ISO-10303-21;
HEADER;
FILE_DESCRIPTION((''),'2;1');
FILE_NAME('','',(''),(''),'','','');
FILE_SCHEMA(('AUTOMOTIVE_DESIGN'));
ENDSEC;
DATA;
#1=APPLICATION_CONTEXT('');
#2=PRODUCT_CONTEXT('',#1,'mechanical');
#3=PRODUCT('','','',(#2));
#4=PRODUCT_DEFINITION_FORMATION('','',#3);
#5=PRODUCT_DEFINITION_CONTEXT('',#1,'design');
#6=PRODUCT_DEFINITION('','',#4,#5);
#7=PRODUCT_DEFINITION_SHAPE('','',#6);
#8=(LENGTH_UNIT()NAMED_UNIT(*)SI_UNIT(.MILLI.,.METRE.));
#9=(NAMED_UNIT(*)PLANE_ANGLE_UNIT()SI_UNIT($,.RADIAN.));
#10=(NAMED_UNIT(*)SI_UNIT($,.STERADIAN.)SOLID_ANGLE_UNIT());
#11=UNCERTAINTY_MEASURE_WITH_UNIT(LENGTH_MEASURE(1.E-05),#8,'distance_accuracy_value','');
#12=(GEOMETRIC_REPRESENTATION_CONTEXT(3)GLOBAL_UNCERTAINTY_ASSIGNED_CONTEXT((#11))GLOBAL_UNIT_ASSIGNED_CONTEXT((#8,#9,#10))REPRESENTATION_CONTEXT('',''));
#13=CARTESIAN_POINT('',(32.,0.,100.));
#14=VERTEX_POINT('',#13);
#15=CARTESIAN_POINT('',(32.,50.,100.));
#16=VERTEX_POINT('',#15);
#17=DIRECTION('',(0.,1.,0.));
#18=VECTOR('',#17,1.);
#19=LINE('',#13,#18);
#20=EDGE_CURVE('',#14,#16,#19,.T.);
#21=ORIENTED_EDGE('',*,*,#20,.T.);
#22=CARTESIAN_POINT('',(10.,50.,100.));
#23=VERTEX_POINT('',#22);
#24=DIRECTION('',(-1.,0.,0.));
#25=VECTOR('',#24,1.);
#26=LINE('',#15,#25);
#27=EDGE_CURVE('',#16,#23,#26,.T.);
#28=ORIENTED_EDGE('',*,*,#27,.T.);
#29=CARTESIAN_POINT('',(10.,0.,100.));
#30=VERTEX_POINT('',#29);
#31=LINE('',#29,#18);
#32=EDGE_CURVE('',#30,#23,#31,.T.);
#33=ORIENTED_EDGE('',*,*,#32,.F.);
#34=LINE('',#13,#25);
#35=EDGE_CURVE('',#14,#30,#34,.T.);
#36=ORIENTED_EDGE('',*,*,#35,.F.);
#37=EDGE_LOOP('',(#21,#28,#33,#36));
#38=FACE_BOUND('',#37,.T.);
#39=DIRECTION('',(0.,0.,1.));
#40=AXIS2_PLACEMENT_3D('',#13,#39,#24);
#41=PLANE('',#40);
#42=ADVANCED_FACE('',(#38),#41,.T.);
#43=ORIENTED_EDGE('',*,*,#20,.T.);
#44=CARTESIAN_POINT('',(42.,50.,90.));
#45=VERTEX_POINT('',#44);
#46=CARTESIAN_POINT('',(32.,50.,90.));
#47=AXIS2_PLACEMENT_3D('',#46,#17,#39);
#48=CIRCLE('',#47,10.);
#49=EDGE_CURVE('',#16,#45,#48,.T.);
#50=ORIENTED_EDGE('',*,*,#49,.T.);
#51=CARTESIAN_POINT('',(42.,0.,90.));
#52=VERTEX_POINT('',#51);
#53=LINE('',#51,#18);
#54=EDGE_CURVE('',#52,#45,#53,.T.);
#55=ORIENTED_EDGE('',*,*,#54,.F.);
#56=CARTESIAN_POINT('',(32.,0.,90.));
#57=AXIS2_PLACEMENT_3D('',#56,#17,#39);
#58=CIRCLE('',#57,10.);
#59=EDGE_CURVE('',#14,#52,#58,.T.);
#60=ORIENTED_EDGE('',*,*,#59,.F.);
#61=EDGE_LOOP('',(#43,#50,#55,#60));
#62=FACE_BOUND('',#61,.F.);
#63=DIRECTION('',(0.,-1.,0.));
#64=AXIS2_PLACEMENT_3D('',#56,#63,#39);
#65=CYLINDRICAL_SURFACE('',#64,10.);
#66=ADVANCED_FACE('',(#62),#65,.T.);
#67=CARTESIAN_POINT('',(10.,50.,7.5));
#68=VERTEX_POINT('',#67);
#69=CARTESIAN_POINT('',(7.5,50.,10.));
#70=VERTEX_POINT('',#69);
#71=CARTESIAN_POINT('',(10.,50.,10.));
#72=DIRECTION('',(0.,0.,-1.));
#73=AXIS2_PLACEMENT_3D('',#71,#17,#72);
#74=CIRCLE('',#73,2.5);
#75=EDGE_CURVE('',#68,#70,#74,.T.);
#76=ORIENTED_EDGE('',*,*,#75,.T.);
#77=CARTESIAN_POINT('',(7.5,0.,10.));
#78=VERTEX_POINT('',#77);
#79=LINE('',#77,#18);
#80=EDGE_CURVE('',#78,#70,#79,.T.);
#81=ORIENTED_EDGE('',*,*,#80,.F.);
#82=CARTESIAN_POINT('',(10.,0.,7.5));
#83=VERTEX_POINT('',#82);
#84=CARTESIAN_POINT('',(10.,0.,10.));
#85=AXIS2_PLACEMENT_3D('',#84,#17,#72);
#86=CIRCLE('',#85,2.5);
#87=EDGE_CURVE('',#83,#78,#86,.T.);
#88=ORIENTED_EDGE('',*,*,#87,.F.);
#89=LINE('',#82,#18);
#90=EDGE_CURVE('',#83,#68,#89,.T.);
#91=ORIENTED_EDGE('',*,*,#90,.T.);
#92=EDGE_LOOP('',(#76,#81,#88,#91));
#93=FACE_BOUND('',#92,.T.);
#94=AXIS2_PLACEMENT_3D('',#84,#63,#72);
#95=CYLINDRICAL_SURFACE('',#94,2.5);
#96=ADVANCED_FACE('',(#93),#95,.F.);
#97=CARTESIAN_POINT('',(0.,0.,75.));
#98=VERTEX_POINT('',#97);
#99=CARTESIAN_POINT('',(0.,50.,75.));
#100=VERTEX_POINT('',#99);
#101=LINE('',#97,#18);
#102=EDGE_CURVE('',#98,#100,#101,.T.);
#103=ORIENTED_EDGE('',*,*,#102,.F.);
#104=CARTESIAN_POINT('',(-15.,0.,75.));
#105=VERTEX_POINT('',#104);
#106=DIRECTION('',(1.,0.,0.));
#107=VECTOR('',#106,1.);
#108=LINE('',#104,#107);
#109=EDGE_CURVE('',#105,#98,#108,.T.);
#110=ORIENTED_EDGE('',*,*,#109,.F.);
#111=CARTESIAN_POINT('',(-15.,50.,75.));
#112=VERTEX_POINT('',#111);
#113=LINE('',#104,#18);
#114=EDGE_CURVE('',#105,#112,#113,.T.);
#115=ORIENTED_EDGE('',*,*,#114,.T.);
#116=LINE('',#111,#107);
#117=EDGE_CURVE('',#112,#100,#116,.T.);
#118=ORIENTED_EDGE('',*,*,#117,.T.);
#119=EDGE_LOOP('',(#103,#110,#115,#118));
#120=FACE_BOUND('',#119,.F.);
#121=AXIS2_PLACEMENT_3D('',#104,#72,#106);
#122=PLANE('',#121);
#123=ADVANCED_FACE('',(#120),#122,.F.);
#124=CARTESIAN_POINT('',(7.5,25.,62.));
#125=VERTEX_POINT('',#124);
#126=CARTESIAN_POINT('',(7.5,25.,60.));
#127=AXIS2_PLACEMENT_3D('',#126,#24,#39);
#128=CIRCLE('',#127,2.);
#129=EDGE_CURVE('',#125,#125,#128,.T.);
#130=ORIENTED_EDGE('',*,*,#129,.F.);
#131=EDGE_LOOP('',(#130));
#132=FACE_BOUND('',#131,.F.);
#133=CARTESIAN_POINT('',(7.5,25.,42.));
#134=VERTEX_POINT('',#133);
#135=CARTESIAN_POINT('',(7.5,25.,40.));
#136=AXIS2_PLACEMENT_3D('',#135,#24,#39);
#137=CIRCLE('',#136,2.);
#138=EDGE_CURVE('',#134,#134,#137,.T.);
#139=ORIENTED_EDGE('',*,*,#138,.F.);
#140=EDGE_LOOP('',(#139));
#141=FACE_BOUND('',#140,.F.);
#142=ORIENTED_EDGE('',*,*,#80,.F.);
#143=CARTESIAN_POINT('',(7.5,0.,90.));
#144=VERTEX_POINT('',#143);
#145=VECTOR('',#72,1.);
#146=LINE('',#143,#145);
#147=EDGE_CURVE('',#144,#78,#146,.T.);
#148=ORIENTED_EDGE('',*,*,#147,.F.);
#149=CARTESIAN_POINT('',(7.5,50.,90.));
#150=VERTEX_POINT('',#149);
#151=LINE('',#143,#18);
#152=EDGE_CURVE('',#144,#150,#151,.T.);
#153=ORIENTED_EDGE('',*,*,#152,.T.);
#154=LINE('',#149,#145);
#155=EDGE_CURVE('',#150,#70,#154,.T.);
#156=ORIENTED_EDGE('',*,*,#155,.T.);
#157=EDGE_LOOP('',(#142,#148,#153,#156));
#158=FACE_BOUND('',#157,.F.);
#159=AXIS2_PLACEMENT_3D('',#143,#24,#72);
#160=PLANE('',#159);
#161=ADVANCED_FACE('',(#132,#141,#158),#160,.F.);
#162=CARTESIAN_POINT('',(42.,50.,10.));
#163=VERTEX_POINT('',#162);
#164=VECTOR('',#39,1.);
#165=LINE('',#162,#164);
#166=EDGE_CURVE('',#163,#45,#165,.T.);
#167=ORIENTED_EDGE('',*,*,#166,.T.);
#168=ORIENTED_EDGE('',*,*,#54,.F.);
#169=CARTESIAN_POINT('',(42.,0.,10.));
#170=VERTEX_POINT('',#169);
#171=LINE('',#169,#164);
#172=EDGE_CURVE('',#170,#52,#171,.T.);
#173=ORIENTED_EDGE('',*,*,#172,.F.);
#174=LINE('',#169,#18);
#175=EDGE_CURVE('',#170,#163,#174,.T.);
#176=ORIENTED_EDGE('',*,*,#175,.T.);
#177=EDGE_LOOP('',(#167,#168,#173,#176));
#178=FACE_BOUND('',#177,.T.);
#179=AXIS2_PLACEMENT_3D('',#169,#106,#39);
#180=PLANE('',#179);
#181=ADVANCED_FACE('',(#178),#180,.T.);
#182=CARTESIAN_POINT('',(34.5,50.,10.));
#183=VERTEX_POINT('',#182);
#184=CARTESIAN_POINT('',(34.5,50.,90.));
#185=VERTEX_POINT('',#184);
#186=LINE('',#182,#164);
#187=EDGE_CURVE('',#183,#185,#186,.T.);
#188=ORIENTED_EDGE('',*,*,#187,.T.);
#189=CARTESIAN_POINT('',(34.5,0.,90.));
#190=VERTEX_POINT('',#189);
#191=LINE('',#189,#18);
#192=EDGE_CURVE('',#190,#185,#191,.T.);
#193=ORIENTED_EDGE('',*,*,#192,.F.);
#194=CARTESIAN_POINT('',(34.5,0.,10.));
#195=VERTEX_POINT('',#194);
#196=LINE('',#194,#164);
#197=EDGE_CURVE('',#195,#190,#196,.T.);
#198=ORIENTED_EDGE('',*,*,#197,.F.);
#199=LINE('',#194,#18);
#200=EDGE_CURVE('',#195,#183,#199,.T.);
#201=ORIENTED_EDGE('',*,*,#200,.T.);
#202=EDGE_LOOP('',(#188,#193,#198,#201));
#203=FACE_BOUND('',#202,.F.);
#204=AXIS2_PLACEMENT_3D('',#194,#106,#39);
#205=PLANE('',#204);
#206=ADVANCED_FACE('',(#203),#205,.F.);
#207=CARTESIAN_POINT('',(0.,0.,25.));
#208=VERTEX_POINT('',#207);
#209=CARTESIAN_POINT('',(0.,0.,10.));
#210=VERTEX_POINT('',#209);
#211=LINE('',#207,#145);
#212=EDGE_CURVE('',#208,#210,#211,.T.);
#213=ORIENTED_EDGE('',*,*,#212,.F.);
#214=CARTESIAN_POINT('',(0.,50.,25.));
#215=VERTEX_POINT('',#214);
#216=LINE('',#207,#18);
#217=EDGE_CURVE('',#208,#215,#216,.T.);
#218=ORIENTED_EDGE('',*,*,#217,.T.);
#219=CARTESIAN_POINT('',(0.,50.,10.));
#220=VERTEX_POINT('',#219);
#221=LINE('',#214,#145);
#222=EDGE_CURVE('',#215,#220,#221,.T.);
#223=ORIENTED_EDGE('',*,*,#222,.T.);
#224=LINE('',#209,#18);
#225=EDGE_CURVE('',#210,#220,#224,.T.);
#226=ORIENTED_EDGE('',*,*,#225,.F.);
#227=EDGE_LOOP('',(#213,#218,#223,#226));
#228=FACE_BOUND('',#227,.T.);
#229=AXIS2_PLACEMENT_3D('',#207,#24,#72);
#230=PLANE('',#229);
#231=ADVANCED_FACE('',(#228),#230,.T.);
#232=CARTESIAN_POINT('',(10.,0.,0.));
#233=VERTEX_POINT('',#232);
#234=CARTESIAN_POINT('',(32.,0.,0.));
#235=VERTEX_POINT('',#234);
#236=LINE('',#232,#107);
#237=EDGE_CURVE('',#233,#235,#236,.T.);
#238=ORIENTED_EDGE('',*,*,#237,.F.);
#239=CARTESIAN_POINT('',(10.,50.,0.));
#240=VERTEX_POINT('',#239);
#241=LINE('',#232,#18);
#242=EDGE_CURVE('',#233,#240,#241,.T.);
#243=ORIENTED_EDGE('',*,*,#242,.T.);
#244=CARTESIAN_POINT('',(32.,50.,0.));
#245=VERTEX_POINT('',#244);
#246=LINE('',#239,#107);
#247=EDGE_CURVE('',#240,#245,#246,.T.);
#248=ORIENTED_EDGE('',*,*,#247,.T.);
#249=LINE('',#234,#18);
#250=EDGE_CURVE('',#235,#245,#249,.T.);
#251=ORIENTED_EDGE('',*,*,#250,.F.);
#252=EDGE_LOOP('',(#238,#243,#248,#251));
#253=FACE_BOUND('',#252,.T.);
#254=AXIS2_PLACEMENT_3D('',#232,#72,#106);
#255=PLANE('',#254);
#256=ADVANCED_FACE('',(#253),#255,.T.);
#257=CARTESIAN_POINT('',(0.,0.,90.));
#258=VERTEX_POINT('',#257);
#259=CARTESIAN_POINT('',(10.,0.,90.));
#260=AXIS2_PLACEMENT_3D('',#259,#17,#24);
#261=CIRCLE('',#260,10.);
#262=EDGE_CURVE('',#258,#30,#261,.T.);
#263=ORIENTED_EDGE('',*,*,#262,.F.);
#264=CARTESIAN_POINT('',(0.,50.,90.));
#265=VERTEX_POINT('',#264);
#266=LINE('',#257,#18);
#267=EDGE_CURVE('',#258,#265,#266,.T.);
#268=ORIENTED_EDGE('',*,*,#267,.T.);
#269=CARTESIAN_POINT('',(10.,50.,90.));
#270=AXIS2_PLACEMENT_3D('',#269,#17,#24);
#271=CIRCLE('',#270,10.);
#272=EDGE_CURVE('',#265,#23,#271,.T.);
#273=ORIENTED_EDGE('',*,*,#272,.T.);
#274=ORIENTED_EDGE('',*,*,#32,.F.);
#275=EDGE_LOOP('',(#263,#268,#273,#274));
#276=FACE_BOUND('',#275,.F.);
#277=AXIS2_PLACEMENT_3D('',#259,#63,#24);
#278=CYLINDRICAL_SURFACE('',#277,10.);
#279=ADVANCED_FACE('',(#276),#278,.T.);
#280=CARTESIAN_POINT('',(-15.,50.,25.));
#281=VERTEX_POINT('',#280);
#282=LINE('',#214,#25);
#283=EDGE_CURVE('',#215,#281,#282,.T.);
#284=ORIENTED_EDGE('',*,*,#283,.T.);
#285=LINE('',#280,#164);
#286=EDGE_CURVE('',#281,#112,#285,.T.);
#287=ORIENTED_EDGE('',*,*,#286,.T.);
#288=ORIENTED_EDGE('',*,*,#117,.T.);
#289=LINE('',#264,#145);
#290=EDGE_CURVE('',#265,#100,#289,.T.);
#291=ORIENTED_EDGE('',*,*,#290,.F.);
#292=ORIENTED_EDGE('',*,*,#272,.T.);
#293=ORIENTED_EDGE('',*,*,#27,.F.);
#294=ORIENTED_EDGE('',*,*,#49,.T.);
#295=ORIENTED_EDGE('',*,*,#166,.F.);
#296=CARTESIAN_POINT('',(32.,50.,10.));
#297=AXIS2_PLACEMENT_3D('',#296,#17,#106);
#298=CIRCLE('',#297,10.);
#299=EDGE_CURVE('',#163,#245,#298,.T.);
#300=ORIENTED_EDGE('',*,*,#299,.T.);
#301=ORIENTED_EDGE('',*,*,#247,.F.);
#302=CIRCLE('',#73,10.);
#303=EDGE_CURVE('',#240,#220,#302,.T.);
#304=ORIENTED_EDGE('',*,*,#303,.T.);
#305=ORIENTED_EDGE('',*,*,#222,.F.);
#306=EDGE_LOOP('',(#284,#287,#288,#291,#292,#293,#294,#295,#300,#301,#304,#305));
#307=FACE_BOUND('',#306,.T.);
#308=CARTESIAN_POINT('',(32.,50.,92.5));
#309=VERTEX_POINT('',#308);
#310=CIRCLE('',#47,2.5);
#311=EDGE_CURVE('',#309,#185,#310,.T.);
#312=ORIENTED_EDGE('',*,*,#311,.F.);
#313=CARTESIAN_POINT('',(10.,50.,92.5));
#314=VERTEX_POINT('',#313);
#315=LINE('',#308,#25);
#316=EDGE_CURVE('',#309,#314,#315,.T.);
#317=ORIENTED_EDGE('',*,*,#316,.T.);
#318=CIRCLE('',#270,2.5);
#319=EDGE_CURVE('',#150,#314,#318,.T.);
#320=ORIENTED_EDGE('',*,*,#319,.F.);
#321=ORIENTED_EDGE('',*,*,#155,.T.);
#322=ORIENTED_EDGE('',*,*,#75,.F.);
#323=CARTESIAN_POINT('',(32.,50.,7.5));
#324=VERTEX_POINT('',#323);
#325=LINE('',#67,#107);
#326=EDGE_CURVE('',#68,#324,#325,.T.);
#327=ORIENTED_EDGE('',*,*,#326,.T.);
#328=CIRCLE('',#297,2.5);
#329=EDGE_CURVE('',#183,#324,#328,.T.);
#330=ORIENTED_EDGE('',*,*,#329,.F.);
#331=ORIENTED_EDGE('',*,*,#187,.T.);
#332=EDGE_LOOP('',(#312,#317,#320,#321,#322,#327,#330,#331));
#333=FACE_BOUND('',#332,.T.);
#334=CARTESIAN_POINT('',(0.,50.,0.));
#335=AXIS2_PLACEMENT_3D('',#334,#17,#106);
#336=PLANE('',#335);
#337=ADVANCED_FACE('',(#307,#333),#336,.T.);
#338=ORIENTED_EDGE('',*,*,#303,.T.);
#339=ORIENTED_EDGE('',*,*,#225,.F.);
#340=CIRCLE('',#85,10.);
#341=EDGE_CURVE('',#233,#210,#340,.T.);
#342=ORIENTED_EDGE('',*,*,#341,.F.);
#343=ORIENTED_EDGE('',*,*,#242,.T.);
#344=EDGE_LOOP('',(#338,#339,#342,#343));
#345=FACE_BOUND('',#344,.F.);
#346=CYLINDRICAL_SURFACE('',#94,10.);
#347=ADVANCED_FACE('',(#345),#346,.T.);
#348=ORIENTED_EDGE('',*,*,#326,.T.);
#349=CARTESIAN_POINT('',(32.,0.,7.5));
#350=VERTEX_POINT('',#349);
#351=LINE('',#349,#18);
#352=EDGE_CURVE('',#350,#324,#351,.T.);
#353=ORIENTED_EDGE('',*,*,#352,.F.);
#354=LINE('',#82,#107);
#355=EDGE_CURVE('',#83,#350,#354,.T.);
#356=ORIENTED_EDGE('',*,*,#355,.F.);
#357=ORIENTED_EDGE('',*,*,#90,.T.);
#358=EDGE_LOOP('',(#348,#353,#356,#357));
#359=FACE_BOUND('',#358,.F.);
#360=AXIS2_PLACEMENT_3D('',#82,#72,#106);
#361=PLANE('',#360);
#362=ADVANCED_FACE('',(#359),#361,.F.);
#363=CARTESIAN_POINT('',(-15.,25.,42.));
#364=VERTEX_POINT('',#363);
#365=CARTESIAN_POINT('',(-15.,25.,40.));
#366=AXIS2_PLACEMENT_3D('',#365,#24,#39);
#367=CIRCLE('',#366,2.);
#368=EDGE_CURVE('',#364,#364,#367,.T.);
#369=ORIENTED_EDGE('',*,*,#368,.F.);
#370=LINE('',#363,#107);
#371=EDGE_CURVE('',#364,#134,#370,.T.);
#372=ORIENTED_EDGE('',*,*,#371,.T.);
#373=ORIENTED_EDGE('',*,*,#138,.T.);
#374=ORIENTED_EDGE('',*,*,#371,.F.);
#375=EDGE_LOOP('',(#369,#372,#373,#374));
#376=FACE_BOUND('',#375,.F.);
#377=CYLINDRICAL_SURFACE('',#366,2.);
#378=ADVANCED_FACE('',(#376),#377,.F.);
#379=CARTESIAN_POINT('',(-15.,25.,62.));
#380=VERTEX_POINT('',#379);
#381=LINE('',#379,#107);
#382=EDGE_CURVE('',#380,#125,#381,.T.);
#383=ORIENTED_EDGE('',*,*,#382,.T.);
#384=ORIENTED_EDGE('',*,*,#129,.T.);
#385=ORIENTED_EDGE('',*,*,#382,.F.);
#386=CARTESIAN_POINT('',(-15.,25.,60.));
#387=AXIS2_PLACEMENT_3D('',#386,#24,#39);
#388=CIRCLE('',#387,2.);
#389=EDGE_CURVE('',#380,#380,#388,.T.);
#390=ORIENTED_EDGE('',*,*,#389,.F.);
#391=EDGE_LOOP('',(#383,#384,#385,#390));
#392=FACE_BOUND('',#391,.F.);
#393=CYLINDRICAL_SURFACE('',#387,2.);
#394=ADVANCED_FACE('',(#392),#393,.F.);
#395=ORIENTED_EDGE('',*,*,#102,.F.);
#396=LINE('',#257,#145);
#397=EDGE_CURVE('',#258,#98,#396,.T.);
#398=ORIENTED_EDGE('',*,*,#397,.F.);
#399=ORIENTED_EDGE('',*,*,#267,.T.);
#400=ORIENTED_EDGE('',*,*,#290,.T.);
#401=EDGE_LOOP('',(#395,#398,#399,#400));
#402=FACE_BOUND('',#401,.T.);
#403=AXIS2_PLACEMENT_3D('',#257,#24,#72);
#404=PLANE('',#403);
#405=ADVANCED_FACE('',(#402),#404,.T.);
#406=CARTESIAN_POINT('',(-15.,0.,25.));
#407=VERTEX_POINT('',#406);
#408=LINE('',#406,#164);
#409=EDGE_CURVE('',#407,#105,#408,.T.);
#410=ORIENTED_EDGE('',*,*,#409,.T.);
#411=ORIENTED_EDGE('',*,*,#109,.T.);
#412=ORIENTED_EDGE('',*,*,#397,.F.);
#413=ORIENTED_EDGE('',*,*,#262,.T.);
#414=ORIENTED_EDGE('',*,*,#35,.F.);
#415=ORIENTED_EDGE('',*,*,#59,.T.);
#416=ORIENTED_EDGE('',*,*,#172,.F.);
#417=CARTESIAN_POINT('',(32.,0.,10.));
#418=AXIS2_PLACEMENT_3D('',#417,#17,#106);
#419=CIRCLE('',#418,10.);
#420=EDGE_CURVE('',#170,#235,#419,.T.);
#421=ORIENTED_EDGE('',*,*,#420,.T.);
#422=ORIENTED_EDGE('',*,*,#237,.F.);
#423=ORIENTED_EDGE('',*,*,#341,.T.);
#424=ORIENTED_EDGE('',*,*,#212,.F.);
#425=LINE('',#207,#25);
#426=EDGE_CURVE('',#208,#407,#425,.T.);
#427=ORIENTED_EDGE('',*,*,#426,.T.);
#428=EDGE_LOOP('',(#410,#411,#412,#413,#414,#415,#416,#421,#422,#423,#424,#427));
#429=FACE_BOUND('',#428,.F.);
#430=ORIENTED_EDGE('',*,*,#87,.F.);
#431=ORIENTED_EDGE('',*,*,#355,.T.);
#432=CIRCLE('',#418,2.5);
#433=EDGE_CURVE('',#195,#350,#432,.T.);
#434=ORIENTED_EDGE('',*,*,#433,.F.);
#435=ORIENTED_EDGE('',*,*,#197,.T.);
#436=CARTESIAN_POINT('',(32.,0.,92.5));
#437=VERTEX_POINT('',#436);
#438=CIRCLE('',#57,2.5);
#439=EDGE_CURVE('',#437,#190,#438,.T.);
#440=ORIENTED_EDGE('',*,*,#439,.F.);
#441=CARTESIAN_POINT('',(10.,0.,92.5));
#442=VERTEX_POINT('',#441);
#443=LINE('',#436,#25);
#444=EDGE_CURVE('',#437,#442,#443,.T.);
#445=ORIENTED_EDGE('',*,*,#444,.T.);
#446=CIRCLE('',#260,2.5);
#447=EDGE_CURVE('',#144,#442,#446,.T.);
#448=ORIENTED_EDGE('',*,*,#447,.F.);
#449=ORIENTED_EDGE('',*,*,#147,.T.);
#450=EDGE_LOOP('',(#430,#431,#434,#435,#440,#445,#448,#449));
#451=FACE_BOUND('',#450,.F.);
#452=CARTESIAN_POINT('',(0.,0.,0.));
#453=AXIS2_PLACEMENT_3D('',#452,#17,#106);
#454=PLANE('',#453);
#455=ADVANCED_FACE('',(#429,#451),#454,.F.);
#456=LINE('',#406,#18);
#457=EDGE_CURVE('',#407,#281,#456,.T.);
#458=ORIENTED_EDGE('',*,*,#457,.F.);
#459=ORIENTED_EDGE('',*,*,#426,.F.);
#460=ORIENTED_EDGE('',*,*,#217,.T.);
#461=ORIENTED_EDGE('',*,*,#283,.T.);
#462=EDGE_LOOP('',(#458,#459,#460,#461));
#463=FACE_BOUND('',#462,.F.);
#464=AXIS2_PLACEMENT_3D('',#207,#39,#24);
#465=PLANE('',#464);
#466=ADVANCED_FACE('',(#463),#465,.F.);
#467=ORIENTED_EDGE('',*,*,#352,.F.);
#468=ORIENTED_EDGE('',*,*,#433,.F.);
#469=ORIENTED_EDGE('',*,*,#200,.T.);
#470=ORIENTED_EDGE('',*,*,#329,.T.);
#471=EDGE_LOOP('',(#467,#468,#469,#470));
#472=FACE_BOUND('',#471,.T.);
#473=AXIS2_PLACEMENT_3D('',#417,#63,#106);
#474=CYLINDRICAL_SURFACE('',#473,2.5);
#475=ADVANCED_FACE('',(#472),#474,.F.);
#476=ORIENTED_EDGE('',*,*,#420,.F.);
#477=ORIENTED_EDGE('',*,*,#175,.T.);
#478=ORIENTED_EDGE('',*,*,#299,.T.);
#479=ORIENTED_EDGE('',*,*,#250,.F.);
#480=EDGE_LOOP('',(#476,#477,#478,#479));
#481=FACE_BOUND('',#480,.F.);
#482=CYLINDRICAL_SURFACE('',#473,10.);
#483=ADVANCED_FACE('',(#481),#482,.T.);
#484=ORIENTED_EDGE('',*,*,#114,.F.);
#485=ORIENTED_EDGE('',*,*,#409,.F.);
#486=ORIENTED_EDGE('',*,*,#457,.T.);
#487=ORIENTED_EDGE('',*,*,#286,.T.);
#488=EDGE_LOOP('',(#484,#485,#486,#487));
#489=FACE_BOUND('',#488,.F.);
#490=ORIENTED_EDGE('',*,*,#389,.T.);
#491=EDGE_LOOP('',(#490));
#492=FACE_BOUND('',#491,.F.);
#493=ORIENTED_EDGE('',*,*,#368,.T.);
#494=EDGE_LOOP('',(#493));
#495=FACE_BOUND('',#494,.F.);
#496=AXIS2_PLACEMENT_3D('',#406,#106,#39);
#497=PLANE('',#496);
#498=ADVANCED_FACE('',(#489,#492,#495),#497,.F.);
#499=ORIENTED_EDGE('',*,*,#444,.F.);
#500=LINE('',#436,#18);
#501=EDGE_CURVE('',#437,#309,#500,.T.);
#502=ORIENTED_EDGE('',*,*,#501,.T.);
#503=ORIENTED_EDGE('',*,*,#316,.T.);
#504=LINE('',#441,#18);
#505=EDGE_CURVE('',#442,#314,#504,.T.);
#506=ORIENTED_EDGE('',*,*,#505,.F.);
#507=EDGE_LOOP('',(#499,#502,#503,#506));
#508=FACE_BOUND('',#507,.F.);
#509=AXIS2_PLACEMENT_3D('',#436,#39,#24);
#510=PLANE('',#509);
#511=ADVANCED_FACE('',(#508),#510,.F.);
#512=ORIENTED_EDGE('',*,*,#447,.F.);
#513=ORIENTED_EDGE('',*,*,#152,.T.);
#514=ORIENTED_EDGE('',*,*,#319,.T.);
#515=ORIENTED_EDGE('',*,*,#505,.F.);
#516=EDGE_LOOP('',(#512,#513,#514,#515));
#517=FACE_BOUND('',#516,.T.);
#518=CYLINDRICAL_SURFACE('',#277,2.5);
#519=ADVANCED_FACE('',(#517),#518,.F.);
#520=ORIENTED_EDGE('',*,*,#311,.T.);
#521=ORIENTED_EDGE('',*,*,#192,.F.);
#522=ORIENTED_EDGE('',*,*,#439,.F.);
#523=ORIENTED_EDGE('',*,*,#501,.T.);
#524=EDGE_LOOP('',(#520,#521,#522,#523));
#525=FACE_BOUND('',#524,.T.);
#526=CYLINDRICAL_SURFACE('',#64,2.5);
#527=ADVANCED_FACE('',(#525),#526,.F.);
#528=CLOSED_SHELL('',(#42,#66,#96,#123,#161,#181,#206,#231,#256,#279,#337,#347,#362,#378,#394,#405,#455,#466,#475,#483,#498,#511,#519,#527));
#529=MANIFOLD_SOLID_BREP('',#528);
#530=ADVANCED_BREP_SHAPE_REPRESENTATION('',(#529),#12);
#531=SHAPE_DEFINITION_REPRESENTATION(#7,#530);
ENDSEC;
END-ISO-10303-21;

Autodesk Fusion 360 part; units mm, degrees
sketch "Sketch1" plane through (0, 0, 0) normal (1, 0, 0) x (0, 0, -1)
sketch "Sketch2" plane through (0, 0, 0) normal (0, 1, 0) x (1, 0, 0)
  line L0 (10, 0) -> (32, 0)
  line L1 (42, -10) -> (42, -90)
  line L2 (32, -100) -> (10, -100)
  line L3 (0, -25) -> (-15, -25)
  line L4 (-15, -25) -> (-15, -75)
  line L5 (-15, -75) -> (0, -75)
  arc A0 (10, 0) -> (0, -10) centre (10, -10) ccw
  arc A1 (42, -10) -> (32, 0) centre (32, -10) ccw
  arc A2 (32, -100) -> (42, -90) centre (32, -90) ccw
  arc A3 (0, -90) -> (10, -100) centre (10, -90) ccw
  arc A4 (10, -7.5) -> (7.5, -10) centre (10, -10) ccw
  line L6 (7.5, -90) -> (7.5, -10)
  arc A5 (7.5, -90) -> (10, -92.5) centre (10, -90) ccw
  line L7 (32, -92.5) -> (10, -92.5)
  arc A6 (32, -92.5) -> (34.5, -90) centre (32, -90) ccw
  line L8 (34.5, -10) -> (34.5, -90)
  arc A7 (34.5, -10) -> (32, -7.5) centre (32, -10) ccw
  line L9 (10, -7.5) -> (32, -7.5)
  line L10 (0, -90) -> (0, -75)
  line L11 (0, -25) -> (0, -10)
  point P0 (42, 0)
  point P1 (0, -100)
  dimension "d11" = 42
extrude "Extrude1" add sketch "Sketch2" along normal blind 50
sketch "Sketch3" plane through (-15, 0, 0) normal (-1, 0, 0) x (0, 0, 1)
  line L0 (25, 0) -> (75, 0)
  line L1 (75, 0) -> (75, 50)
  line L2 (75, 50) -> (25, 50)
  line L3 (25, 50) -> (25, 0)
  circle A0 centre (40, 25) radius 2
  circle A1 centre (60, 25) radius 2
  dimension "d7" = 4
  dimension "d8" = 4
extrude "Extrude2" cut sketch "Sketch3" against normal blind 45 contours A0 | A1
